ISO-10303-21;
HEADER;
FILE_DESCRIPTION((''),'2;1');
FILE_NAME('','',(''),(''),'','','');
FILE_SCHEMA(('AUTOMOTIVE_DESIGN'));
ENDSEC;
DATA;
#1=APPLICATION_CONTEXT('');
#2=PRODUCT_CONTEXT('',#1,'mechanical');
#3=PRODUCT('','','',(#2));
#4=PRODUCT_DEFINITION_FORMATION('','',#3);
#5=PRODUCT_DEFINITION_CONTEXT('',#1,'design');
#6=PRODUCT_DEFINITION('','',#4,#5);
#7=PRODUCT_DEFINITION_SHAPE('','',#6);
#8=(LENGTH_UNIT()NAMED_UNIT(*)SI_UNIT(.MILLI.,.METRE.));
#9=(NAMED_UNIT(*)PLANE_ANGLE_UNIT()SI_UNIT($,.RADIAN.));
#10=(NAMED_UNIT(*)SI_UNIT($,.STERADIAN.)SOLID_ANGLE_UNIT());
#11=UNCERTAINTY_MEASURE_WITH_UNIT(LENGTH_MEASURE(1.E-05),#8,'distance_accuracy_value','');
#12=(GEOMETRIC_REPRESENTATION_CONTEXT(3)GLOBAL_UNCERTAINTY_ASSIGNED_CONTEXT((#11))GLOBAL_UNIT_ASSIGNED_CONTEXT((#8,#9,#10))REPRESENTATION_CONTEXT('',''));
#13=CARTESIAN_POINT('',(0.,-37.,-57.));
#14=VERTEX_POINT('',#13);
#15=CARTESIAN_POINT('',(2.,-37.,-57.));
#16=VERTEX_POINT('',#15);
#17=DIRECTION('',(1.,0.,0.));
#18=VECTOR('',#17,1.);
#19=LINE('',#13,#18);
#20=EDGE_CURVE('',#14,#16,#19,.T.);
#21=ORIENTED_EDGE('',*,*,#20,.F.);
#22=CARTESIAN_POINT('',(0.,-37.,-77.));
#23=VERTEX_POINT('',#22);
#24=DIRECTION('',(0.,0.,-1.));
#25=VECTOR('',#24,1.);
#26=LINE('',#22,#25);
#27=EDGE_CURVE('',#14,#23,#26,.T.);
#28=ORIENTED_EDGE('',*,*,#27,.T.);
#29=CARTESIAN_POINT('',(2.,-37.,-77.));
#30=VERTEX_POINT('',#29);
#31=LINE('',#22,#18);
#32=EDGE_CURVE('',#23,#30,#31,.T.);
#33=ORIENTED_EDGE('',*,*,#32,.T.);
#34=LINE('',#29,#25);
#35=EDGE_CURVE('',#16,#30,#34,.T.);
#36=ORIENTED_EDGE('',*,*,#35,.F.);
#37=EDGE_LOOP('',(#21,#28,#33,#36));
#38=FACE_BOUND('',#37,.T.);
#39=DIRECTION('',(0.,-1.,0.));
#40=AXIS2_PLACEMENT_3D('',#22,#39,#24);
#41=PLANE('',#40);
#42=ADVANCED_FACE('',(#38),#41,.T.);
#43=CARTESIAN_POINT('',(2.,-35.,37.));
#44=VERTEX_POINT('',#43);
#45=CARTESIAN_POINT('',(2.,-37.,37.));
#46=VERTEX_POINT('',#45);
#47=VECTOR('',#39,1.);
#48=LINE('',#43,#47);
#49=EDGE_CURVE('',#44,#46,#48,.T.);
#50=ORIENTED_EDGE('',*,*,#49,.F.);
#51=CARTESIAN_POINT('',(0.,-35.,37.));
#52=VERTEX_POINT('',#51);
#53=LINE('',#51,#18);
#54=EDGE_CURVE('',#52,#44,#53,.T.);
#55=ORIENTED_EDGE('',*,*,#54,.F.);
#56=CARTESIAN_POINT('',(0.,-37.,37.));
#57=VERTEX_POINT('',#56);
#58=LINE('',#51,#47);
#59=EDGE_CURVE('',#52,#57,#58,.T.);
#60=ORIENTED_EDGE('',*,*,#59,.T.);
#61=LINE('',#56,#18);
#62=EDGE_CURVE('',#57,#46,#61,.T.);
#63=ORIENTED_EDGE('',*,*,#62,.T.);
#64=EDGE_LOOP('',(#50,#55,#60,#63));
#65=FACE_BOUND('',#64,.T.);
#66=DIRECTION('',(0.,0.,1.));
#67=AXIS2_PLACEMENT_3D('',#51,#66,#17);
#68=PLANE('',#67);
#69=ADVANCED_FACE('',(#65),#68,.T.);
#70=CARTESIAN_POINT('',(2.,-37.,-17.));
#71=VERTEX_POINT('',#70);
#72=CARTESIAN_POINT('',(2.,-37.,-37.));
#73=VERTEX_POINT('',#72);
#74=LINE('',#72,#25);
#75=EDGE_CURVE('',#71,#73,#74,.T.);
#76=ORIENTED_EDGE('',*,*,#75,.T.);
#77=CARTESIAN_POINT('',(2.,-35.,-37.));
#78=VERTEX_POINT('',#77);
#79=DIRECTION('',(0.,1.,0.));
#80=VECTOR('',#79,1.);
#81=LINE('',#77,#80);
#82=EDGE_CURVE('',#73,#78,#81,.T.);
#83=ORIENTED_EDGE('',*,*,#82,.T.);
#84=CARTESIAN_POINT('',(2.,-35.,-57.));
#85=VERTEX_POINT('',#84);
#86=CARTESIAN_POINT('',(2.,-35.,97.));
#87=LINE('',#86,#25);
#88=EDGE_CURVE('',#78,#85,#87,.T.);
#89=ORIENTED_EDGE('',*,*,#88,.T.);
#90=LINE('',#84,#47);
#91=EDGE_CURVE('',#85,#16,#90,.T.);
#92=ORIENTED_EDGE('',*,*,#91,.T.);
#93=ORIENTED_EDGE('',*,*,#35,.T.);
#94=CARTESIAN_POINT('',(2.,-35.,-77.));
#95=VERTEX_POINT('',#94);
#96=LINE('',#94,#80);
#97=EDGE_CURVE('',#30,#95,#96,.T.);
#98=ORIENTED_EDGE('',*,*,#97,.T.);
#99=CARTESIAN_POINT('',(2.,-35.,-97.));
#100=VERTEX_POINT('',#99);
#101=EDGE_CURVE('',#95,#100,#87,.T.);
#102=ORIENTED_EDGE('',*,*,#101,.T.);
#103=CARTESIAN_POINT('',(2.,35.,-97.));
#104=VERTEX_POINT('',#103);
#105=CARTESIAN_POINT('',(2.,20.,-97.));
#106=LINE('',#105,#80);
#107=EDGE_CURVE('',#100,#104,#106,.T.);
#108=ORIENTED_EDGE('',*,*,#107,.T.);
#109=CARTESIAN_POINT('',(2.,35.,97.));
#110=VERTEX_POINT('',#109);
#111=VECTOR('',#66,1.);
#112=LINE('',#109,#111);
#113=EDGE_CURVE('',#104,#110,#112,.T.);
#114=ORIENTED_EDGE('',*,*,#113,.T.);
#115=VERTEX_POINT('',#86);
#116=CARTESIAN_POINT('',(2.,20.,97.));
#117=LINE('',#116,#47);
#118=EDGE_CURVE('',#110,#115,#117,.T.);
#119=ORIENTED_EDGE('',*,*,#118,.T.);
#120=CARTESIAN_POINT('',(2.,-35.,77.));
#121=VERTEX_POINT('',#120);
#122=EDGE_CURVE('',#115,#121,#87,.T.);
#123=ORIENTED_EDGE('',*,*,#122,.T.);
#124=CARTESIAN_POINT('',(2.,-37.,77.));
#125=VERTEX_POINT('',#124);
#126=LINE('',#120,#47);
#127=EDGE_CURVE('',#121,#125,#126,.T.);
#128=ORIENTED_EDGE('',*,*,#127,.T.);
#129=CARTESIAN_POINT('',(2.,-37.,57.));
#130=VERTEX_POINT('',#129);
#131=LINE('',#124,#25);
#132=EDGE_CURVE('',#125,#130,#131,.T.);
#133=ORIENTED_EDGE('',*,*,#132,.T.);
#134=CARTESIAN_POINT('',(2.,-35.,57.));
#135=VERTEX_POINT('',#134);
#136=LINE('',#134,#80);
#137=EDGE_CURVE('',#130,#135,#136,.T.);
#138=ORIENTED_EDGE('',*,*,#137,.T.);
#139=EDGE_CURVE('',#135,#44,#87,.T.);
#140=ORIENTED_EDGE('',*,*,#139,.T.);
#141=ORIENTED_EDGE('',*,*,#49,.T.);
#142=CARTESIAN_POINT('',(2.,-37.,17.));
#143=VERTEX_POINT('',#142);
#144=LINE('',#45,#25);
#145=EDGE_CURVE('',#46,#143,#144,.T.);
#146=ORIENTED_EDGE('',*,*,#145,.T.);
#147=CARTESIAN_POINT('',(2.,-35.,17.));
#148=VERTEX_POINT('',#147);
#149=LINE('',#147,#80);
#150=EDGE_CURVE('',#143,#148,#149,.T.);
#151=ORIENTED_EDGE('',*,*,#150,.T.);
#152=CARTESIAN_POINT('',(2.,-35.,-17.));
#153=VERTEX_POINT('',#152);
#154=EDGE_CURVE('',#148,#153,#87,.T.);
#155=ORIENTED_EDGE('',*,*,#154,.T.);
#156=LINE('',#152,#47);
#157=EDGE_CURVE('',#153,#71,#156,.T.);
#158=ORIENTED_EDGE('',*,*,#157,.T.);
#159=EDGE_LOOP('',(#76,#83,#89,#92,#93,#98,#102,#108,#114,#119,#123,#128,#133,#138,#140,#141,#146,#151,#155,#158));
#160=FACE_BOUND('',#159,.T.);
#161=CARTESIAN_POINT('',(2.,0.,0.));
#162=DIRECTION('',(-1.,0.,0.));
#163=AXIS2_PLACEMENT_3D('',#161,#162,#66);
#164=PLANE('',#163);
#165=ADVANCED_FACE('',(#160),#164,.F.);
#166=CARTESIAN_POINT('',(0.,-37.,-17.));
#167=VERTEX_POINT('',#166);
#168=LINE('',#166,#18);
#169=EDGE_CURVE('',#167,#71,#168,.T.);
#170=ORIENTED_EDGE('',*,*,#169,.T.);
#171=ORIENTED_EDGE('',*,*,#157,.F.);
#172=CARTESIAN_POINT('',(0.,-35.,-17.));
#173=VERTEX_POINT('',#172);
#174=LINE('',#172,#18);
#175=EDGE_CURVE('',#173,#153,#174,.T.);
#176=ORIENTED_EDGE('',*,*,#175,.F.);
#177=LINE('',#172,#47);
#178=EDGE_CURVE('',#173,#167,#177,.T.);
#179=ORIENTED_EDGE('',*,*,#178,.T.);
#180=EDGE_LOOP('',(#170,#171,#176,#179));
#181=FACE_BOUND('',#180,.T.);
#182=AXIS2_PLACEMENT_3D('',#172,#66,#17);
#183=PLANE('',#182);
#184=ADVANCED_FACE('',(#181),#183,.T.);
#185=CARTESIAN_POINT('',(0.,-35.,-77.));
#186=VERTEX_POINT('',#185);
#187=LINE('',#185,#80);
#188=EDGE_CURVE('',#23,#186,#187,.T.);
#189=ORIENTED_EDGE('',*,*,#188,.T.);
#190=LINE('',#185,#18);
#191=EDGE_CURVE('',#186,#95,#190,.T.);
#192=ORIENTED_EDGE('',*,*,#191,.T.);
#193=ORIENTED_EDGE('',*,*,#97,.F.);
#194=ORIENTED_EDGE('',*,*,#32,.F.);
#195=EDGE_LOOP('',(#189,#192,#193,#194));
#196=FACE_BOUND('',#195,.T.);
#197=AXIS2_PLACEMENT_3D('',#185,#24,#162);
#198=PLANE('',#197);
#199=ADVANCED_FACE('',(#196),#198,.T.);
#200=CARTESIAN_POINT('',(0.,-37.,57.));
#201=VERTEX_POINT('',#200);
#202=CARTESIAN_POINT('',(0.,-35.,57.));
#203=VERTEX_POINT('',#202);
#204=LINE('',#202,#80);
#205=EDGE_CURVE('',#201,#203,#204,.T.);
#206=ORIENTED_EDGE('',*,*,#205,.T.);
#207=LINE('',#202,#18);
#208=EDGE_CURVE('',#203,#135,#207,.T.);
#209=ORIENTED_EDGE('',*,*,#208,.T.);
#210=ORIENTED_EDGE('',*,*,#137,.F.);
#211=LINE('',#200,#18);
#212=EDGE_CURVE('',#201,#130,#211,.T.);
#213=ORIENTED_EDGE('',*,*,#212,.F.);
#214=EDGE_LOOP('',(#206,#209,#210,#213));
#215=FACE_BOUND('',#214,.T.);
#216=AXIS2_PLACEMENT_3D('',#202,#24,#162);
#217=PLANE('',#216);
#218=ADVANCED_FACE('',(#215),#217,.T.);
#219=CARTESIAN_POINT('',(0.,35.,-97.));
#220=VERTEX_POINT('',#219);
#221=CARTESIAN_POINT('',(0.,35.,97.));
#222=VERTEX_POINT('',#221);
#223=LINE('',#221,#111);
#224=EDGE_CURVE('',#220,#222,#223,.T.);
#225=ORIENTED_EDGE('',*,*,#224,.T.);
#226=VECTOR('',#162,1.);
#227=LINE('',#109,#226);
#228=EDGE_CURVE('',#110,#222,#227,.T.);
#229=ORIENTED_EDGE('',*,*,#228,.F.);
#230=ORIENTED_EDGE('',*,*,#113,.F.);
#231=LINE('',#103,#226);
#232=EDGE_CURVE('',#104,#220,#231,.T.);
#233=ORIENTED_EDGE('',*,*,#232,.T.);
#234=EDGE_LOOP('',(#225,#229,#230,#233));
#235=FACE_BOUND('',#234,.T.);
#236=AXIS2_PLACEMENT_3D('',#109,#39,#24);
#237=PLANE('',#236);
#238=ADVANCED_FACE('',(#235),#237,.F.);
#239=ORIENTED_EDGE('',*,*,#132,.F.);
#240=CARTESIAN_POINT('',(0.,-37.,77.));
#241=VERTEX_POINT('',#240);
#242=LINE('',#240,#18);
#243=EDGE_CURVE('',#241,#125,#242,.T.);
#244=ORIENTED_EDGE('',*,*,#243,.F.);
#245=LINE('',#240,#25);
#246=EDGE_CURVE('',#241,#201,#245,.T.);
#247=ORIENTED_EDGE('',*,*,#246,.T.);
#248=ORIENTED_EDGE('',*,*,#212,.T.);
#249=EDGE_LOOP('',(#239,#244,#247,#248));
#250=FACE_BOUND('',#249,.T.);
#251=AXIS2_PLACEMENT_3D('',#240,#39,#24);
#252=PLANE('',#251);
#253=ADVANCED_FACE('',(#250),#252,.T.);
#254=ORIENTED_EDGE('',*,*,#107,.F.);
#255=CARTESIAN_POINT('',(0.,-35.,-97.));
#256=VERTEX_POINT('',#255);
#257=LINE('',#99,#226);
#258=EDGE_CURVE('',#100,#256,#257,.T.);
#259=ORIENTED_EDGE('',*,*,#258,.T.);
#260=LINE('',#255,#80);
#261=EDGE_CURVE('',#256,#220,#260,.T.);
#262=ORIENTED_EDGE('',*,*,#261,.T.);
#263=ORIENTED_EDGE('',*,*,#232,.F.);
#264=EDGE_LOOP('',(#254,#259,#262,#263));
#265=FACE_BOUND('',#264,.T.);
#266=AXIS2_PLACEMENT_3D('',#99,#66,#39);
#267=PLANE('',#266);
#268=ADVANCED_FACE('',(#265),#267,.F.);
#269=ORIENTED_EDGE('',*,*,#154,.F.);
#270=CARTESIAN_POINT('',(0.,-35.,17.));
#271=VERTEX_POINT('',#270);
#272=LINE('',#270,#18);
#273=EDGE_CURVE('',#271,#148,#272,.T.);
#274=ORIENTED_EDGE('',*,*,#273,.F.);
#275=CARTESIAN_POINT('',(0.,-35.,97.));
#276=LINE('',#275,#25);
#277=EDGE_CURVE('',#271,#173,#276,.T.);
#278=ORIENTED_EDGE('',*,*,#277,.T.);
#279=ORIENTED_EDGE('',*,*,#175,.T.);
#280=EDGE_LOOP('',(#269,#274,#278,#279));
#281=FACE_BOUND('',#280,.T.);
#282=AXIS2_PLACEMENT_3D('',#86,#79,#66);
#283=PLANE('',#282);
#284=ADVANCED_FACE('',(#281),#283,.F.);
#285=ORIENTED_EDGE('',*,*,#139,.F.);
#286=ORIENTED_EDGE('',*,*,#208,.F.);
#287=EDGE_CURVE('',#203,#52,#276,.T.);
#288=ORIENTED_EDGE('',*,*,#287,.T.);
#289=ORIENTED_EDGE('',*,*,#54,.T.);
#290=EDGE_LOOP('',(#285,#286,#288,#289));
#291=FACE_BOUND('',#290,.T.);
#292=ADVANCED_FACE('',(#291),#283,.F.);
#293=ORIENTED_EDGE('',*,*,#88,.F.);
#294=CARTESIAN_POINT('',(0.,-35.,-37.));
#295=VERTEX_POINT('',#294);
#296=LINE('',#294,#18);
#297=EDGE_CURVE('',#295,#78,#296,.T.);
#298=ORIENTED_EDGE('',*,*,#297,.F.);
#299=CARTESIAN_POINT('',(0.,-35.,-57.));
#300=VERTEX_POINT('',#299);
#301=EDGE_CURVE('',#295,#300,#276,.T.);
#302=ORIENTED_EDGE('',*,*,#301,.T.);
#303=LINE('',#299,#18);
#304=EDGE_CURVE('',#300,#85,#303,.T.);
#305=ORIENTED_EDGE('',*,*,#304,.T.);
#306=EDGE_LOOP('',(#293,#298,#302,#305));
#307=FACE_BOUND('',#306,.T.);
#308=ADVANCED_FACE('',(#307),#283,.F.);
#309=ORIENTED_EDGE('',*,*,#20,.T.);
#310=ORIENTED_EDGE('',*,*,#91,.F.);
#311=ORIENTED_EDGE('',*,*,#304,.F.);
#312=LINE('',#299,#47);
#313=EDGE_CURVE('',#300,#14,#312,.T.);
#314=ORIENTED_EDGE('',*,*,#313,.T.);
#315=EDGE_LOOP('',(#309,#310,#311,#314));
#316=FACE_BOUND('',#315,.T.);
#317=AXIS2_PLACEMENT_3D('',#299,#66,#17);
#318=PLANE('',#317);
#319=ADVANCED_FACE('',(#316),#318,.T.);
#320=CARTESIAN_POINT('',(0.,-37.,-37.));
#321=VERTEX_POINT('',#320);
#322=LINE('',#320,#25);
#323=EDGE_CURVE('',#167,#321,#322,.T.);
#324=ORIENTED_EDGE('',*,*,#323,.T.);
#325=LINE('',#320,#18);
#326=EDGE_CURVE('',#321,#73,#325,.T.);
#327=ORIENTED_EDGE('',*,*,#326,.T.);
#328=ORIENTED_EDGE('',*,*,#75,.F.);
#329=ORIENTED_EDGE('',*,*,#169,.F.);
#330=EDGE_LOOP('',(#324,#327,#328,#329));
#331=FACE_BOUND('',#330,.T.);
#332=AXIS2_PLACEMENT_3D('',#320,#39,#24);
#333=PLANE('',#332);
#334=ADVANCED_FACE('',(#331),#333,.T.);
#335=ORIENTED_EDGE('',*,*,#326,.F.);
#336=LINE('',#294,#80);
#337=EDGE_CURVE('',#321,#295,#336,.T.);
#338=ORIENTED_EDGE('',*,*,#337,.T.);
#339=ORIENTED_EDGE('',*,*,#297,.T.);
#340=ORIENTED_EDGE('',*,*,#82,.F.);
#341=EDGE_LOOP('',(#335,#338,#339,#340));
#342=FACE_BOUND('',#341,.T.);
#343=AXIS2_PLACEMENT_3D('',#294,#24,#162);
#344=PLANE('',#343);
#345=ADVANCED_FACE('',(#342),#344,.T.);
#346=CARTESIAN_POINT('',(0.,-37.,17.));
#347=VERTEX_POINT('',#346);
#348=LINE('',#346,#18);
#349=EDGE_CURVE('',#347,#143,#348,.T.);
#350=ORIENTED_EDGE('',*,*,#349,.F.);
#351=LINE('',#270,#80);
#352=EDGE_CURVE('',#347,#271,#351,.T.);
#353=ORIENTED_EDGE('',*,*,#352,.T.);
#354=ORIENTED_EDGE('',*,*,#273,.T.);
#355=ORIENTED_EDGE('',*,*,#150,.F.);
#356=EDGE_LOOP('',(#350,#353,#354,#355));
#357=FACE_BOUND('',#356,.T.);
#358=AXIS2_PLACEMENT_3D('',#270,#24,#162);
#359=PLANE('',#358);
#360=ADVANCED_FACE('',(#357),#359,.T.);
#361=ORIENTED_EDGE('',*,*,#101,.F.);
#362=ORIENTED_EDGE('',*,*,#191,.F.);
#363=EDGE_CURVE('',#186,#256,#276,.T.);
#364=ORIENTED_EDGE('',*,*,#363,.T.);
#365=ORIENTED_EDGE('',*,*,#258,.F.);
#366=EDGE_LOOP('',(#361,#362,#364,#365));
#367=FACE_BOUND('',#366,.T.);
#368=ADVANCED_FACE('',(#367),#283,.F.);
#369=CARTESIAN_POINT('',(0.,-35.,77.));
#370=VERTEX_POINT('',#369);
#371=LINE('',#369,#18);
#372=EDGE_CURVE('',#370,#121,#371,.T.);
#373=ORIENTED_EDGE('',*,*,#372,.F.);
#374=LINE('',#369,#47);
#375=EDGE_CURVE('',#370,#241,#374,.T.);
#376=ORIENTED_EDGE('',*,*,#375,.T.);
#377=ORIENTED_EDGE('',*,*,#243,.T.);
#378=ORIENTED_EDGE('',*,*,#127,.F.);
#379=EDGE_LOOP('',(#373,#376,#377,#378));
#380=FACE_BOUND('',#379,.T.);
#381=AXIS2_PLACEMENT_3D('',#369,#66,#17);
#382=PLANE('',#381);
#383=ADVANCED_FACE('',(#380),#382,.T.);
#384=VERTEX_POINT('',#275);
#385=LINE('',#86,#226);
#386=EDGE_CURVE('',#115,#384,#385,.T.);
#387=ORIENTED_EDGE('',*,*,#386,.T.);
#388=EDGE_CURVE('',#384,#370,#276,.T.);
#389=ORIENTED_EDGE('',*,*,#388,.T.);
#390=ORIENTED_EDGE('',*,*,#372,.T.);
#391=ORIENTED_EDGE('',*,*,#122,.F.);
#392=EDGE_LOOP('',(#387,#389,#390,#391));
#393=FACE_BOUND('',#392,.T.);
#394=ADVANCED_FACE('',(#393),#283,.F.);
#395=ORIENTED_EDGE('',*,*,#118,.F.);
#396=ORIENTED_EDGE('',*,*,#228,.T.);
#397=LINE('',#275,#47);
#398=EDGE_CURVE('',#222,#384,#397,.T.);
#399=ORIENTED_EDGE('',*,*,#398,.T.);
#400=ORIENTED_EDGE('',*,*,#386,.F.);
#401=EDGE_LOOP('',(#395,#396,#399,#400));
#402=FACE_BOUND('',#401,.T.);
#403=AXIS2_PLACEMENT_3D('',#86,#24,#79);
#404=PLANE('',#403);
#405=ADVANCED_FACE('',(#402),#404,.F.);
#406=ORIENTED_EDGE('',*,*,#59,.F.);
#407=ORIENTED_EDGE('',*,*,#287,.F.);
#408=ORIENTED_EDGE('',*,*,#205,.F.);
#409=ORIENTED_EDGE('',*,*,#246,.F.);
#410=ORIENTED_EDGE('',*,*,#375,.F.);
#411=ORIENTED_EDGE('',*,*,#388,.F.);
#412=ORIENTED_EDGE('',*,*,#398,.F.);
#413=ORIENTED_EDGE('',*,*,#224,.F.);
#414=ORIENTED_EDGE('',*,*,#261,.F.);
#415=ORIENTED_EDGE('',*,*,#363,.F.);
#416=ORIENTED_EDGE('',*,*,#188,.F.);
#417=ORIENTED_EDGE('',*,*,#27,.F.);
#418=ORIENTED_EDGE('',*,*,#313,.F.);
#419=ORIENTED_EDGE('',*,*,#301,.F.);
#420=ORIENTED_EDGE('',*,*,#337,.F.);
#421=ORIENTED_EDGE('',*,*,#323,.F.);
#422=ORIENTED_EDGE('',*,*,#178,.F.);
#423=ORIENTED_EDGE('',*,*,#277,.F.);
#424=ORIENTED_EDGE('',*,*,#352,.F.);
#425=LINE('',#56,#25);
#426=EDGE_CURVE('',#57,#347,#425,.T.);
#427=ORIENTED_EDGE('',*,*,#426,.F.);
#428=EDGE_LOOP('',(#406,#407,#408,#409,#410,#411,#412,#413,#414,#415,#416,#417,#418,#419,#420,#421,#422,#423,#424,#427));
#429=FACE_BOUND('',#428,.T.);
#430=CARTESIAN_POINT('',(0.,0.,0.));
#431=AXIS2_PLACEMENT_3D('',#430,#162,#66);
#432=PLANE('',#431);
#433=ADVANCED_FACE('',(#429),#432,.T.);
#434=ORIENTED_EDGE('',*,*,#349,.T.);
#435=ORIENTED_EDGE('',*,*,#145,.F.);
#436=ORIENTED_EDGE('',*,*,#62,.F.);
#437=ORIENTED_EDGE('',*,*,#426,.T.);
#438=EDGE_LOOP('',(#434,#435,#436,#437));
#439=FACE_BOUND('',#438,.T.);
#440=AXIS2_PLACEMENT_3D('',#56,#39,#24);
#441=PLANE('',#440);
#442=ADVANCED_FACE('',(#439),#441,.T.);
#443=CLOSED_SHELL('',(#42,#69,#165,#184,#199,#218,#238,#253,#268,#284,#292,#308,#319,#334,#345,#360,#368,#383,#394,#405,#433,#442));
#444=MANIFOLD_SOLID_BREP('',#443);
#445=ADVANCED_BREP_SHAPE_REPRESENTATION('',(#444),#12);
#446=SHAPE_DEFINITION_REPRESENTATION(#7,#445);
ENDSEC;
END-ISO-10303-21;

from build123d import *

# Parameters (mm, degrees)
BOSS_EXTRUDE1_DEPTH = 2
SKETCH2_W           = 2
SKETCH2_H           = 20
CUT_EXTRUDE1_DEPTH  = 10
SKETCH3_W           = 20
SKETCH3_H           = 2
BOSS_EXTRUDE2_DEPTH = 2


with BuildPart() as part:
    # Sketch1 → Boss-Extrude1 (new body)
    with BuildSketch(Plane(origin=(0, 0, 0), x_dir=(0, 0, -1), z_dir=(1, 0, 0))):
        Polygon((-97, -35), (97, -35), (97, 0), (99, 0), (99, 20), (97, 20), (97, 35), (-97, 35), (-97, 20), (-99, 20), (-99, 0), (-97, 0), align=None)
    extrude(amount=BOSS_EXTRUDE1_DEPTH)

    # Sketch2 → Cut-Extrude1 (cut)
    with BuildSketch(Plane(origin=(2, 0, 0), x_dir=(0, 0, -1), z_dir=(1, 0, 0))):
        with Locations((-98, 10)):
            Rectangle(SKETCH2_W, SKETCH2_H)
        with Locations((98, 10)):
            Rectangle(SKETCH2_W, SKETCH2_H)
    extrude(amount=-CUT_EXTRUDE1_DEPTH, mode=Mode.SUBTRACT)

    # Sketch3 → Boss-Extrude2 (add)
    with BuildSketch(Plane(origin=(2, 0, 0), x_dir=(0, 0, -1), z_dir=(1, 0, 0))):
        with Locations((-67, -36)):
            Rectangle(SKETCH3_W, SKETCH3_H)
        with Locations((-27, -36)):
            Rectangle(SKETCH3_W, SKETCH3_H)
        with Locations((27, -36)):
            Rectangle(SKETCH3_W, SKETCH3_H)
        with Locations((67, -36)):
            Rectangle(SKETCH3_W, SKETCH3_H)
    extrude(amount=-BOSS_EXTRUDE2_DEPTH)


solid = part.part
